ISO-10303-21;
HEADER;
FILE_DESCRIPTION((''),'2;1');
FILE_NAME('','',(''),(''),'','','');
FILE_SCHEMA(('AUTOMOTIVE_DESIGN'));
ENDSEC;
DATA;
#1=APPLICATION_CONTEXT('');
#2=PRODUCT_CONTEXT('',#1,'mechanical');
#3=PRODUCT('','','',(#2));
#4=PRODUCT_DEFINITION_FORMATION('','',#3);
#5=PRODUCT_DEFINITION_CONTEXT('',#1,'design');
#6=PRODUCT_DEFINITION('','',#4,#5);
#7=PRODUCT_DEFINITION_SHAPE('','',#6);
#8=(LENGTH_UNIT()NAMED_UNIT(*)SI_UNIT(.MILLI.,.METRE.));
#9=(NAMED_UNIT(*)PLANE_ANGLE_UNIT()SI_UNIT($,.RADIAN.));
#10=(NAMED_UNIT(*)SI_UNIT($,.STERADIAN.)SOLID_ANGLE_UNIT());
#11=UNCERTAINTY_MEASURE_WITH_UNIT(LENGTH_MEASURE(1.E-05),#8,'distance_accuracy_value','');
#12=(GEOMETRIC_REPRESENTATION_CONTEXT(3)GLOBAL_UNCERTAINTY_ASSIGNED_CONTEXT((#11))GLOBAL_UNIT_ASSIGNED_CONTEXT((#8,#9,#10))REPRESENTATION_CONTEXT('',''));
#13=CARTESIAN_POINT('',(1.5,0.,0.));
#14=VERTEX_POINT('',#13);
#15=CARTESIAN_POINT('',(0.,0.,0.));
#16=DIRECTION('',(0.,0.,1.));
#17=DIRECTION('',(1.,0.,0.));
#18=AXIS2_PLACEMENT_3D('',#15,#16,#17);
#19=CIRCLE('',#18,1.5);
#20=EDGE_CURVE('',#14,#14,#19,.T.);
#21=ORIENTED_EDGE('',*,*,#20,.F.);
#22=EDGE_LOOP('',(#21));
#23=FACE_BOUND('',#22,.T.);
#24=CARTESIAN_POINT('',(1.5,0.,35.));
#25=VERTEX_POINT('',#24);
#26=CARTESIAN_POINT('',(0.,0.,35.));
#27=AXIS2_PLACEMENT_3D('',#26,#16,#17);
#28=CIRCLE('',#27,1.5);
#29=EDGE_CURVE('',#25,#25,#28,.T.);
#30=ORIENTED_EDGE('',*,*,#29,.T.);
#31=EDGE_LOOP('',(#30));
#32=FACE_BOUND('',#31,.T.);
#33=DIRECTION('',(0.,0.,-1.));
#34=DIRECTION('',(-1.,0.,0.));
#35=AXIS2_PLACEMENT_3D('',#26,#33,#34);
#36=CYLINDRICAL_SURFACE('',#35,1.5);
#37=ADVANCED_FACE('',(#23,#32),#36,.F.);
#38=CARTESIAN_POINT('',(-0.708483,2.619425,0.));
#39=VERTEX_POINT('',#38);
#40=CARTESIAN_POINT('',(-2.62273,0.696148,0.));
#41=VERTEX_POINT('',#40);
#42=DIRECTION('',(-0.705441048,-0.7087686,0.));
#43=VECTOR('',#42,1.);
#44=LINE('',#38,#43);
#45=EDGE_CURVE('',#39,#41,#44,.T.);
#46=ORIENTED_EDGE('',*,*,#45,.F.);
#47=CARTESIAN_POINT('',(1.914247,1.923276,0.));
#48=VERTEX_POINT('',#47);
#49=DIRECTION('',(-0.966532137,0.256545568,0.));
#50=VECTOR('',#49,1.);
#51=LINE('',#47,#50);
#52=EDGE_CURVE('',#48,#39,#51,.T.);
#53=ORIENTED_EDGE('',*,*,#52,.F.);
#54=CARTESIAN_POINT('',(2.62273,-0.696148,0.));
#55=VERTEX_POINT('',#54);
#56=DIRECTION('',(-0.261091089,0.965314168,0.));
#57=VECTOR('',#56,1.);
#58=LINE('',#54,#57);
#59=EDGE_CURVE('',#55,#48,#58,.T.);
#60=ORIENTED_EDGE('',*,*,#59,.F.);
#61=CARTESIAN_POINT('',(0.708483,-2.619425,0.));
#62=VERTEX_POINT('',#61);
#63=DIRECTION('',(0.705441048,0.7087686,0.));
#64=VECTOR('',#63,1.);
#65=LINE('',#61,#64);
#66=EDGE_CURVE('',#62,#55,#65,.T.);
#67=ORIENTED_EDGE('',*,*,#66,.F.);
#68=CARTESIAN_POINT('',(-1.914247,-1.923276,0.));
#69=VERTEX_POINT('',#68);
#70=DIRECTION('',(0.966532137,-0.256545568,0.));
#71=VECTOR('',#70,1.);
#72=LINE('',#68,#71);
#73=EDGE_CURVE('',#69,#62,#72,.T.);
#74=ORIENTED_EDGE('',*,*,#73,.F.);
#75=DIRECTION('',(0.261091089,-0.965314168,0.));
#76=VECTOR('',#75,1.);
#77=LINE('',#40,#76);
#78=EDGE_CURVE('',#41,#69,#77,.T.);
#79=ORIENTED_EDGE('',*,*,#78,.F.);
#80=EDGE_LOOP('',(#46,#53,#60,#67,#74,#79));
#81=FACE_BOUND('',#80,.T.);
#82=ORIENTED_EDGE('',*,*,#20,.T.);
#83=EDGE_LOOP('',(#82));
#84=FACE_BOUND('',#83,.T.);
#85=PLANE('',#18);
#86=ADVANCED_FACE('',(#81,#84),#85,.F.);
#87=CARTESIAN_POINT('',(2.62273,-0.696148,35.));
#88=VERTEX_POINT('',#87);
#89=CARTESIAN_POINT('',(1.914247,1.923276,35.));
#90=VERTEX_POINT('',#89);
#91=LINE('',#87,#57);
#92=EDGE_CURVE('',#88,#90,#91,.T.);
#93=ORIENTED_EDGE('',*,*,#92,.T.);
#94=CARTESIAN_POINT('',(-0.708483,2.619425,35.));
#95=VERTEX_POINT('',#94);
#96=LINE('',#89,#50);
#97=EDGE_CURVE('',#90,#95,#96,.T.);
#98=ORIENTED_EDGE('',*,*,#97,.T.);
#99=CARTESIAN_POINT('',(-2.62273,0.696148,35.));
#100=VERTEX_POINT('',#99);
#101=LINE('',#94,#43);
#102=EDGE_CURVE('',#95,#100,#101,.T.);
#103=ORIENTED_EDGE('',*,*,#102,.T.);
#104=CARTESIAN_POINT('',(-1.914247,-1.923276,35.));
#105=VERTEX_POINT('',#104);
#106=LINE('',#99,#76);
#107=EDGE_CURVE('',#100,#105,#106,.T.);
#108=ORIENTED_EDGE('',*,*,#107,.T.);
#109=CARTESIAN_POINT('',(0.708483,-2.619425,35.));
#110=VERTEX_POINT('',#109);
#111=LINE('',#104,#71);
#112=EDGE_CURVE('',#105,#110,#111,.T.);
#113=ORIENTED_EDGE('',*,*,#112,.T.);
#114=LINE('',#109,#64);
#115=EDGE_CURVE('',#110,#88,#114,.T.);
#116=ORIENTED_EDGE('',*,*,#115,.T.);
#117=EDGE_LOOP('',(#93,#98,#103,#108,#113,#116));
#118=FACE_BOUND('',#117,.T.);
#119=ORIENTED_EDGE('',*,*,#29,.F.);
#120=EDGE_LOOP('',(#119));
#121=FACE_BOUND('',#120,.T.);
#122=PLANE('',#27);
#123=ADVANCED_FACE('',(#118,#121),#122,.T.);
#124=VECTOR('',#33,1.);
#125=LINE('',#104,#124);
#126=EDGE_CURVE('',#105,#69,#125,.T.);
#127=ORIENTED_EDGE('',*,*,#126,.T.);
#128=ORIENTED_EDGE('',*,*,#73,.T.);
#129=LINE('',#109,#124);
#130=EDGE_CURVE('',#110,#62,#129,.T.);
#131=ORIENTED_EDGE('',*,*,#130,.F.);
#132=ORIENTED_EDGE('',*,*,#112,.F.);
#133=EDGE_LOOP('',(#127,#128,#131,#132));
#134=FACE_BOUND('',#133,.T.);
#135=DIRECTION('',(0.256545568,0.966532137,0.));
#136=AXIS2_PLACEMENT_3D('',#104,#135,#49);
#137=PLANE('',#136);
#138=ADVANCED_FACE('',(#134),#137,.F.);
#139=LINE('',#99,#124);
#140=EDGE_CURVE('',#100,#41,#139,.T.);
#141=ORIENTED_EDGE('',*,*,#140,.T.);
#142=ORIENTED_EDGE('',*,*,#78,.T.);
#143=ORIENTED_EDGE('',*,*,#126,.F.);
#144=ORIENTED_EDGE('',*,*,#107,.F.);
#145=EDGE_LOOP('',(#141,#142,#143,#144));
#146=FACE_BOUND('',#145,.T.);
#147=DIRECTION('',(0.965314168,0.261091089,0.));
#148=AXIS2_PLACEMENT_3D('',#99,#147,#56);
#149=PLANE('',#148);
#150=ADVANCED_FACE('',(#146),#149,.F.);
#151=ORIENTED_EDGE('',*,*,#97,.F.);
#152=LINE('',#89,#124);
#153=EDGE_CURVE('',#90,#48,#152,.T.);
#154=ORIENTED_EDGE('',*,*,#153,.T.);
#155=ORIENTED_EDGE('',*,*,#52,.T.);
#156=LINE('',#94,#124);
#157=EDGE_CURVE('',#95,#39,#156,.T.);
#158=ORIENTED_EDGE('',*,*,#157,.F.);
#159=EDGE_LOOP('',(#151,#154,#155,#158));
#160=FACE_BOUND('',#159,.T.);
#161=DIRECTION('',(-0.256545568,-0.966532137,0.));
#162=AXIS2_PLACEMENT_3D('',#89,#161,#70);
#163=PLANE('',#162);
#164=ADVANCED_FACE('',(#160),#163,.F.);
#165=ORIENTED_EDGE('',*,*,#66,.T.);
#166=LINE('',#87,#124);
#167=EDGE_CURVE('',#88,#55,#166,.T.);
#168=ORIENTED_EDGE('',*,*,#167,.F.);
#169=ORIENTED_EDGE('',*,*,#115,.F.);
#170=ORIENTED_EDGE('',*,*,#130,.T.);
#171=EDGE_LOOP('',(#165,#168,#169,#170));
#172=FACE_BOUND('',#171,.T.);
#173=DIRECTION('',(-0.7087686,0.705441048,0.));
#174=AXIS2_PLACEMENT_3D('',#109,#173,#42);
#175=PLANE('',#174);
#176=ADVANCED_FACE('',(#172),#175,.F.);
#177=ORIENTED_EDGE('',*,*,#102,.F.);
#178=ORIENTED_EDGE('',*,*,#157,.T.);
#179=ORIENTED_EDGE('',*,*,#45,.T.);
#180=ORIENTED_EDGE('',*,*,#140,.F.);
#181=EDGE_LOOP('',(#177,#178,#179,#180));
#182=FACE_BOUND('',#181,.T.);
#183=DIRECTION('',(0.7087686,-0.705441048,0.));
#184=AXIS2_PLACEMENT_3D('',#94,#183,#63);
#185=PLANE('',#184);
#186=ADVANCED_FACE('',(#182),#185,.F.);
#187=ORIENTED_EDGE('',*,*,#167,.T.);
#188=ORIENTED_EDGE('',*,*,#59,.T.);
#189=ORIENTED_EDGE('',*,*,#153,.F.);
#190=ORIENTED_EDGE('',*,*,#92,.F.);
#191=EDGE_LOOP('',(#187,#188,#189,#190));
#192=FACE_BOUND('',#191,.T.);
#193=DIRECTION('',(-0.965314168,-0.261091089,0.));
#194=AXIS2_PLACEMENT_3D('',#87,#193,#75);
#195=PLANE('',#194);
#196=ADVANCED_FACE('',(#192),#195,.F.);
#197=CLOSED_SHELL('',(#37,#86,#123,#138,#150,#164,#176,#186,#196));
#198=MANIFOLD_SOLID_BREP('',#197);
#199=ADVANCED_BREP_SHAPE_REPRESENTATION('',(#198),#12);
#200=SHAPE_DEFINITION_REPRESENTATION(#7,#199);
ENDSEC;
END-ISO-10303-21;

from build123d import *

# Parameters (mm, degrees)
SKETCH1_R           = 1.5
BOSS_EXTRUDE1_DEPTH = 35


with BuildPart() as part:
    # Sketch1 → Boss-Extrude1 (new body)
    with BuildSketch(Plane.XY):
        Polygon((1.91424692, 1.923276387), (-0.708482749, 2.619424656), (-2.62272967, 0.696148269), (-1.91424692, -1.923276387), (0.708482749, -2.619424656), (2.62272967, -0.696148269), align=None)
        Circle(SKETCH1_R, mode=Mode.SUBTRACT)
    extrude(amount=BOSS_EXTRUDE1_DEPTH)


solid = part.part
